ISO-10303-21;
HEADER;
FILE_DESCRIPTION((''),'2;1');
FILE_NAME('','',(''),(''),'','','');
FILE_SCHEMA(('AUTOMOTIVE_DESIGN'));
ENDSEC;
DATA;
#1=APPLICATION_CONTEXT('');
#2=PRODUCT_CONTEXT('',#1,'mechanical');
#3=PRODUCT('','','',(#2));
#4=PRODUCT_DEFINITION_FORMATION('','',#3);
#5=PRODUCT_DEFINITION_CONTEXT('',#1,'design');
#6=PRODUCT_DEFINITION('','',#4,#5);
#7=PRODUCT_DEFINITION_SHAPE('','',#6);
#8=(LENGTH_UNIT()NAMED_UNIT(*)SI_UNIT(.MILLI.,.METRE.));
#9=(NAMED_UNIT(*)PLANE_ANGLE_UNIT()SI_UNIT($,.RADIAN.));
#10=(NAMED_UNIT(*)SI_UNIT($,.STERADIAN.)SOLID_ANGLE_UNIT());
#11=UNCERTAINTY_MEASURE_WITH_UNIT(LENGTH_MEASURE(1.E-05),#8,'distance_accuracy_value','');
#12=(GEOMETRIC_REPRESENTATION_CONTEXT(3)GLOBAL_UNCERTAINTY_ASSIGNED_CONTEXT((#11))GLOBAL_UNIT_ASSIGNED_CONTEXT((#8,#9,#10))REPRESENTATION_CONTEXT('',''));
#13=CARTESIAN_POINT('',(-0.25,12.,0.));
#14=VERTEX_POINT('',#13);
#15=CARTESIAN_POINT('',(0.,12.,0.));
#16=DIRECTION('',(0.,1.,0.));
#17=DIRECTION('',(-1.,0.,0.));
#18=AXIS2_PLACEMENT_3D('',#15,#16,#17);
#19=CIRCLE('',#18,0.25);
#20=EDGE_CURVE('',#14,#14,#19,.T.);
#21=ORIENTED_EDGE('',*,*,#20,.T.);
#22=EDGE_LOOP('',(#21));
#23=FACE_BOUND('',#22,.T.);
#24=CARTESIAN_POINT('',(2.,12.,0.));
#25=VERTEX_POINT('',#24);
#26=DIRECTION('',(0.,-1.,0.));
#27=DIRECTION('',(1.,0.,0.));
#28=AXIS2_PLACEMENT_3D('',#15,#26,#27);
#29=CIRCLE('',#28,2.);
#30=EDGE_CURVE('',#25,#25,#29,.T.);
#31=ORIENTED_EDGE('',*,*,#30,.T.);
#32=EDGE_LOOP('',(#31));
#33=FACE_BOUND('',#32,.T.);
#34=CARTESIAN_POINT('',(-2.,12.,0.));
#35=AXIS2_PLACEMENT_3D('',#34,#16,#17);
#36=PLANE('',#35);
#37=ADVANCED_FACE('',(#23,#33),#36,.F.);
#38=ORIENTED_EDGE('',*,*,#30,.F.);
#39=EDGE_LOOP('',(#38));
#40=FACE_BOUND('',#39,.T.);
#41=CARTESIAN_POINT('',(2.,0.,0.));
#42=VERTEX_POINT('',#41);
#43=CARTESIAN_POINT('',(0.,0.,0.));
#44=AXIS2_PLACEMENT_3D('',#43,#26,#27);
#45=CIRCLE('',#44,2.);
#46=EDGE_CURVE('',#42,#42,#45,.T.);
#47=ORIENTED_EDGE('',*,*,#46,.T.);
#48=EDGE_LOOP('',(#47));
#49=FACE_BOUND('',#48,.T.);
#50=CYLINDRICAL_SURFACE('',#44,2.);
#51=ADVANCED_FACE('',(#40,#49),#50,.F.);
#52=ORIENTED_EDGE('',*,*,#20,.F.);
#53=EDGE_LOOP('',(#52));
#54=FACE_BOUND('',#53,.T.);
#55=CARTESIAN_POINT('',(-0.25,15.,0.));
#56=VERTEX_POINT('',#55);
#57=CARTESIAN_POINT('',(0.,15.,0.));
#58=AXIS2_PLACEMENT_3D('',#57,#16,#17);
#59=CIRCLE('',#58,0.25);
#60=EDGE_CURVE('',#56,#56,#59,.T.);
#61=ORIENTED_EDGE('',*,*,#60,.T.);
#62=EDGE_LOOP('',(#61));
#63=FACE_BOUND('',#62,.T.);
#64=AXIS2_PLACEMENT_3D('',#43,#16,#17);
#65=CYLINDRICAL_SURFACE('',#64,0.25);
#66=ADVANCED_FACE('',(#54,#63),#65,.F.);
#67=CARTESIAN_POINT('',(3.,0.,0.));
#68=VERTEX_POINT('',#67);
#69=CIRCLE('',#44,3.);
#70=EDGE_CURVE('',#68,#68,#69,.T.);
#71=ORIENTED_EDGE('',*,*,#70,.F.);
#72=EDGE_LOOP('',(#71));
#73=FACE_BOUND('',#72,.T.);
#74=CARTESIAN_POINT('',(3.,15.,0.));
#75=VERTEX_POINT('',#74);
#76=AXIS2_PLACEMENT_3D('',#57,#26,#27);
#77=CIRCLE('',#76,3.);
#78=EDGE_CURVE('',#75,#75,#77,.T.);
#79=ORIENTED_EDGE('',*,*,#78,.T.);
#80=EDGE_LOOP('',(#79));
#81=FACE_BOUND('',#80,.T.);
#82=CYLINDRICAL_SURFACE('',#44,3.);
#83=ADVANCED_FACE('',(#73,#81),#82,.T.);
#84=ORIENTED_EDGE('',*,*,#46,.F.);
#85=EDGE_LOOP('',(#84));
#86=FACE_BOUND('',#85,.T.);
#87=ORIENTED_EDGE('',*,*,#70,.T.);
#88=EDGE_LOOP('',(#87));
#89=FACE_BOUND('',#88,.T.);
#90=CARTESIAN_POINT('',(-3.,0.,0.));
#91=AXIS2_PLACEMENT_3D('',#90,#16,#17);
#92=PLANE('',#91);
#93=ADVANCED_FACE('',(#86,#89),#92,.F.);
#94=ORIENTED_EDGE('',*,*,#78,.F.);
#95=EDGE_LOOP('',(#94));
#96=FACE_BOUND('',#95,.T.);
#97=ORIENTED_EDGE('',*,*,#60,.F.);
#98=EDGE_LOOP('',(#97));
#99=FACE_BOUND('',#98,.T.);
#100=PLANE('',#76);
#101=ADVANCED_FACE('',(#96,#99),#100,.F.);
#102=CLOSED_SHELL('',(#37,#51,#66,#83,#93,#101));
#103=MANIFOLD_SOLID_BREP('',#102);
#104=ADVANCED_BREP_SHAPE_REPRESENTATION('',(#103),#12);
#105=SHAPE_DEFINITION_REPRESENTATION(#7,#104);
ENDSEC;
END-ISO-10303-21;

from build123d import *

# Parameters (mm, degrees)
SKETCH2_R          = 0.25
CUT_EXTRUDE1_DEPTH = 16.588457268


with BuildPart() as part:
    # Sketch1 → Revolve1 (revolve)
    with BuildSketch(Plane.XY, mode=Mode.PRIVATE) as revolve1_sk:
        Polygon((0, 15), (-3, 15), (-3, 0), (-2, 0), (-2, 12), (0, 12), align=None)
    revolve(revolve1_sk.sketch.rotate(Axis((0, 0, 0), (0, 1, 0)), 180), axis=Axis((0, 0, 0), (0, 1, 0)))

    # Sketch2 → Cut-Extrude1 (cut, through all)
    with BuildSketch(Plane(origin=(0, 15, 0), x_dir=(1, 0, 0), z_dir=(0, 1, 0))):
        with Locations(Location((0, 0, 0), (0, 0, 180))):
            Circle(SKETCH2_R)
    extrude(amount=-CUT_EXTRUDE1_DEPTH, mode=Mode.SUBTRACT)


solid = part.part
